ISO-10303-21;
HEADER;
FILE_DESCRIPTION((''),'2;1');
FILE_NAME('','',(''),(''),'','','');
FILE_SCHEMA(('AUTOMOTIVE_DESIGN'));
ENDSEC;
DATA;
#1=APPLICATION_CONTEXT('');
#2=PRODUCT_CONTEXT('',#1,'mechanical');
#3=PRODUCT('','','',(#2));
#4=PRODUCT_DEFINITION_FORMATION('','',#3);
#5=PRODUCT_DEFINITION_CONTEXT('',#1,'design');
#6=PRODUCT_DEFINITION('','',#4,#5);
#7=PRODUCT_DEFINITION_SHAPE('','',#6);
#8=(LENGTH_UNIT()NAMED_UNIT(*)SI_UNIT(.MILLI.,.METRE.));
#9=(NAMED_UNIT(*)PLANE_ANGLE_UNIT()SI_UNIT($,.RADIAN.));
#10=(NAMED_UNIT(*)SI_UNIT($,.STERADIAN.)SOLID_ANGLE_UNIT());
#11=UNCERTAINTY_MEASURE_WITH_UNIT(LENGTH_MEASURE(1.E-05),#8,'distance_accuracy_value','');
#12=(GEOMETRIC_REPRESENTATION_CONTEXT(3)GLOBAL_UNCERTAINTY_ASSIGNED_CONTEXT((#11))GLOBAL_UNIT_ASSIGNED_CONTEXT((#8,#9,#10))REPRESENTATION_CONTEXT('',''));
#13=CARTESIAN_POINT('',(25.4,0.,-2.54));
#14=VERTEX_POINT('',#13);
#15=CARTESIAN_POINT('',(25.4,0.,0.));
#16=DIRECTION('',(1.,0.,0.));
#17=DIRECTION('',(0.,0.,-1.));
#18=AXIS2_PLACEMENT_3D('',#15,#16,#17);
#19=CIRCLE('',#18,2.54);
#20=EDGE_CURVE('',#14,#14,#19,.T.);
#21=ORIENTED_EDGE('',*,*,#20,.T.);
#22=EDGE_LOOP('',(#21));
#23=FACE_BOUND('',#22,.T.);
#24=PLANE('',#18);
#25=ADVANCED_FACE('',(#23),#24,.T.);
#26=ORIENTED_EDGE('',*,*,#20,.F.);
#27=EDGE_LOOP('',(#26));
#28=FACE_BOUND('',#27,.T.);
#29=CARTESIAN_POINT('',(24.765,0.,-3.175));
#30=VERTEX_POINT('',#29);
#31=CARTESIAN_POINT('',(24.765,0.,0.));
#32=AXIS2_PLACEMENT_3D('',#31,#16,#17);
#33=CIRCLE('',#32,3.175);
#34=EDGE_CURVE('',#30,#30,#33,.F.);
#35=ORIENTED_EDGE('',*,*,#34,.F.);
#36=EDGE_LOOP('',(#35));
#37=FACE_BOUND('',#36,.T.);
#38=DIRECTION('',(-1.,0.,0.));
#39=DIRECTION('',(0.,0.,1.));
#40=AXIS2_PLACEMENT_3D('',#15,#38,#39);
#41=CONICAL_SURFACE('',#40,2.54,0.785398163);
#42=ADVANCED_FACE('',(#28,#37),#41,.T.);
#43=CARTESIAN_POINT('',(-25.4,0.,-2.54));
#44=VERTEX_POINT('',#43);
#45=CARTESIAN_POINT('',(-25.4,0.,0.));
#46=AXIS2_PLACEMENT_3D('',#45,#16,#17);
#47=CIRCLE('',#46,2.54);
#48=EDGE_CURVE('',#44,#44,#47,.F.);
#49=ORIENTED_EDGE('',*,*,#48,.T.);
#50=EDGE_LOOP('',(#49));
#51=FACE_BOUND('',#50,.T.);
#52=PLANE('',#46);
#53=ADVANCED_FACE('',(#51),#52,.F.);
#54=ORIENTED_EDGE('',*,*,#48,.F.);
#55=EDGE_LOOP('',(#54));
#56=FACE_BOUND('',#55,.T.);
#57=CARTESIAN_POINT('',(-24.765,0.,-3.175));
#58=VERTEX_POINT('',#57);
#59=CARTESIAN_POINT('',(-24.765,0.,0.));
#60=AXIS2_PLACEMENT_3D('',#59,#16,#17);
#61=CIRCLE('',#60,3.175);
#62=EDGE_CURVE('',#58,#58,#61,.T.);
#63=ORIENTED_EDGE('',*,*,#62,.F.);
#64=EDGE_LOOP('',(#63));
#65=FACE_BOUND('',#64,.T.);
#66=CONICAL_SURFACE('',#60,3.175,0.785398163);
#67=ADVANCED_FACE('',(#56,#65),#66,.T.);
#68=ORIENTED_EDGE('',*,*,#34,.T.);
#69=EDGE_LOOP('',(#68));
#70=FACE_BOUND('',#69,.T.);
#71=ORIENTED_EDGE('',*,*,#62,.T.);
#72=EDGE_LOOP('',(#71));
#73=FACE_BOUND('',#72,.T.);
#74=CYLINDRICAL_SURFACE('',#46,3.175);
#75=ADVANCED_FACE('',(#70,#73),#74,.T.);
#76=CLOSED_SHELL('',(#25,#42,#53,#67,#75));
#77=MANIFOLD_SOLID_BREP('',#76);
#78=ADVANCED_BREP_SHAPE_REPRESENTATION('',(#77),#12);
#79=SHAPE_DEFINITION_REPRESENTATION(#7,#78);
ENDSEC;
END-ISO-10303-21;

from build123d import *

# Parameters (mm, degrees)
SKETCH2_R           = 3.175
EXTRUDE1_DEPTH      = 25.4
EXTRUDE1_DEPTH_BACK = 25.4
CHAMFER1_SIZE       = 0.635


with BuildPart() as part:
    # Sketch2 → Extrude1 (new body, two sides)
    with BuildSketch(Plane(origin=(0, 0, 0), x_dir=(0, 0, -1), z_dir=(1, 0, 0))) as extrude1_sk:
        Circle(SKETCH2_R)
    extrude(amount=EXTRUDE1_DEPTH)
    extrude(extrude1_sk.sketch, amount=-EXTRUDE1_DEPTH_BACK)

    # Chamfer1
    chamfer1_edges = [part.edges().sort_by_distance(p)[0] for p in [
        (-25.4, 0, 3.175),
        (25.4, 0, 3.175),
    ]]
    chamfer(chamfer1_edges, length=CHAMFER1_SIZE)


solid = part.part
